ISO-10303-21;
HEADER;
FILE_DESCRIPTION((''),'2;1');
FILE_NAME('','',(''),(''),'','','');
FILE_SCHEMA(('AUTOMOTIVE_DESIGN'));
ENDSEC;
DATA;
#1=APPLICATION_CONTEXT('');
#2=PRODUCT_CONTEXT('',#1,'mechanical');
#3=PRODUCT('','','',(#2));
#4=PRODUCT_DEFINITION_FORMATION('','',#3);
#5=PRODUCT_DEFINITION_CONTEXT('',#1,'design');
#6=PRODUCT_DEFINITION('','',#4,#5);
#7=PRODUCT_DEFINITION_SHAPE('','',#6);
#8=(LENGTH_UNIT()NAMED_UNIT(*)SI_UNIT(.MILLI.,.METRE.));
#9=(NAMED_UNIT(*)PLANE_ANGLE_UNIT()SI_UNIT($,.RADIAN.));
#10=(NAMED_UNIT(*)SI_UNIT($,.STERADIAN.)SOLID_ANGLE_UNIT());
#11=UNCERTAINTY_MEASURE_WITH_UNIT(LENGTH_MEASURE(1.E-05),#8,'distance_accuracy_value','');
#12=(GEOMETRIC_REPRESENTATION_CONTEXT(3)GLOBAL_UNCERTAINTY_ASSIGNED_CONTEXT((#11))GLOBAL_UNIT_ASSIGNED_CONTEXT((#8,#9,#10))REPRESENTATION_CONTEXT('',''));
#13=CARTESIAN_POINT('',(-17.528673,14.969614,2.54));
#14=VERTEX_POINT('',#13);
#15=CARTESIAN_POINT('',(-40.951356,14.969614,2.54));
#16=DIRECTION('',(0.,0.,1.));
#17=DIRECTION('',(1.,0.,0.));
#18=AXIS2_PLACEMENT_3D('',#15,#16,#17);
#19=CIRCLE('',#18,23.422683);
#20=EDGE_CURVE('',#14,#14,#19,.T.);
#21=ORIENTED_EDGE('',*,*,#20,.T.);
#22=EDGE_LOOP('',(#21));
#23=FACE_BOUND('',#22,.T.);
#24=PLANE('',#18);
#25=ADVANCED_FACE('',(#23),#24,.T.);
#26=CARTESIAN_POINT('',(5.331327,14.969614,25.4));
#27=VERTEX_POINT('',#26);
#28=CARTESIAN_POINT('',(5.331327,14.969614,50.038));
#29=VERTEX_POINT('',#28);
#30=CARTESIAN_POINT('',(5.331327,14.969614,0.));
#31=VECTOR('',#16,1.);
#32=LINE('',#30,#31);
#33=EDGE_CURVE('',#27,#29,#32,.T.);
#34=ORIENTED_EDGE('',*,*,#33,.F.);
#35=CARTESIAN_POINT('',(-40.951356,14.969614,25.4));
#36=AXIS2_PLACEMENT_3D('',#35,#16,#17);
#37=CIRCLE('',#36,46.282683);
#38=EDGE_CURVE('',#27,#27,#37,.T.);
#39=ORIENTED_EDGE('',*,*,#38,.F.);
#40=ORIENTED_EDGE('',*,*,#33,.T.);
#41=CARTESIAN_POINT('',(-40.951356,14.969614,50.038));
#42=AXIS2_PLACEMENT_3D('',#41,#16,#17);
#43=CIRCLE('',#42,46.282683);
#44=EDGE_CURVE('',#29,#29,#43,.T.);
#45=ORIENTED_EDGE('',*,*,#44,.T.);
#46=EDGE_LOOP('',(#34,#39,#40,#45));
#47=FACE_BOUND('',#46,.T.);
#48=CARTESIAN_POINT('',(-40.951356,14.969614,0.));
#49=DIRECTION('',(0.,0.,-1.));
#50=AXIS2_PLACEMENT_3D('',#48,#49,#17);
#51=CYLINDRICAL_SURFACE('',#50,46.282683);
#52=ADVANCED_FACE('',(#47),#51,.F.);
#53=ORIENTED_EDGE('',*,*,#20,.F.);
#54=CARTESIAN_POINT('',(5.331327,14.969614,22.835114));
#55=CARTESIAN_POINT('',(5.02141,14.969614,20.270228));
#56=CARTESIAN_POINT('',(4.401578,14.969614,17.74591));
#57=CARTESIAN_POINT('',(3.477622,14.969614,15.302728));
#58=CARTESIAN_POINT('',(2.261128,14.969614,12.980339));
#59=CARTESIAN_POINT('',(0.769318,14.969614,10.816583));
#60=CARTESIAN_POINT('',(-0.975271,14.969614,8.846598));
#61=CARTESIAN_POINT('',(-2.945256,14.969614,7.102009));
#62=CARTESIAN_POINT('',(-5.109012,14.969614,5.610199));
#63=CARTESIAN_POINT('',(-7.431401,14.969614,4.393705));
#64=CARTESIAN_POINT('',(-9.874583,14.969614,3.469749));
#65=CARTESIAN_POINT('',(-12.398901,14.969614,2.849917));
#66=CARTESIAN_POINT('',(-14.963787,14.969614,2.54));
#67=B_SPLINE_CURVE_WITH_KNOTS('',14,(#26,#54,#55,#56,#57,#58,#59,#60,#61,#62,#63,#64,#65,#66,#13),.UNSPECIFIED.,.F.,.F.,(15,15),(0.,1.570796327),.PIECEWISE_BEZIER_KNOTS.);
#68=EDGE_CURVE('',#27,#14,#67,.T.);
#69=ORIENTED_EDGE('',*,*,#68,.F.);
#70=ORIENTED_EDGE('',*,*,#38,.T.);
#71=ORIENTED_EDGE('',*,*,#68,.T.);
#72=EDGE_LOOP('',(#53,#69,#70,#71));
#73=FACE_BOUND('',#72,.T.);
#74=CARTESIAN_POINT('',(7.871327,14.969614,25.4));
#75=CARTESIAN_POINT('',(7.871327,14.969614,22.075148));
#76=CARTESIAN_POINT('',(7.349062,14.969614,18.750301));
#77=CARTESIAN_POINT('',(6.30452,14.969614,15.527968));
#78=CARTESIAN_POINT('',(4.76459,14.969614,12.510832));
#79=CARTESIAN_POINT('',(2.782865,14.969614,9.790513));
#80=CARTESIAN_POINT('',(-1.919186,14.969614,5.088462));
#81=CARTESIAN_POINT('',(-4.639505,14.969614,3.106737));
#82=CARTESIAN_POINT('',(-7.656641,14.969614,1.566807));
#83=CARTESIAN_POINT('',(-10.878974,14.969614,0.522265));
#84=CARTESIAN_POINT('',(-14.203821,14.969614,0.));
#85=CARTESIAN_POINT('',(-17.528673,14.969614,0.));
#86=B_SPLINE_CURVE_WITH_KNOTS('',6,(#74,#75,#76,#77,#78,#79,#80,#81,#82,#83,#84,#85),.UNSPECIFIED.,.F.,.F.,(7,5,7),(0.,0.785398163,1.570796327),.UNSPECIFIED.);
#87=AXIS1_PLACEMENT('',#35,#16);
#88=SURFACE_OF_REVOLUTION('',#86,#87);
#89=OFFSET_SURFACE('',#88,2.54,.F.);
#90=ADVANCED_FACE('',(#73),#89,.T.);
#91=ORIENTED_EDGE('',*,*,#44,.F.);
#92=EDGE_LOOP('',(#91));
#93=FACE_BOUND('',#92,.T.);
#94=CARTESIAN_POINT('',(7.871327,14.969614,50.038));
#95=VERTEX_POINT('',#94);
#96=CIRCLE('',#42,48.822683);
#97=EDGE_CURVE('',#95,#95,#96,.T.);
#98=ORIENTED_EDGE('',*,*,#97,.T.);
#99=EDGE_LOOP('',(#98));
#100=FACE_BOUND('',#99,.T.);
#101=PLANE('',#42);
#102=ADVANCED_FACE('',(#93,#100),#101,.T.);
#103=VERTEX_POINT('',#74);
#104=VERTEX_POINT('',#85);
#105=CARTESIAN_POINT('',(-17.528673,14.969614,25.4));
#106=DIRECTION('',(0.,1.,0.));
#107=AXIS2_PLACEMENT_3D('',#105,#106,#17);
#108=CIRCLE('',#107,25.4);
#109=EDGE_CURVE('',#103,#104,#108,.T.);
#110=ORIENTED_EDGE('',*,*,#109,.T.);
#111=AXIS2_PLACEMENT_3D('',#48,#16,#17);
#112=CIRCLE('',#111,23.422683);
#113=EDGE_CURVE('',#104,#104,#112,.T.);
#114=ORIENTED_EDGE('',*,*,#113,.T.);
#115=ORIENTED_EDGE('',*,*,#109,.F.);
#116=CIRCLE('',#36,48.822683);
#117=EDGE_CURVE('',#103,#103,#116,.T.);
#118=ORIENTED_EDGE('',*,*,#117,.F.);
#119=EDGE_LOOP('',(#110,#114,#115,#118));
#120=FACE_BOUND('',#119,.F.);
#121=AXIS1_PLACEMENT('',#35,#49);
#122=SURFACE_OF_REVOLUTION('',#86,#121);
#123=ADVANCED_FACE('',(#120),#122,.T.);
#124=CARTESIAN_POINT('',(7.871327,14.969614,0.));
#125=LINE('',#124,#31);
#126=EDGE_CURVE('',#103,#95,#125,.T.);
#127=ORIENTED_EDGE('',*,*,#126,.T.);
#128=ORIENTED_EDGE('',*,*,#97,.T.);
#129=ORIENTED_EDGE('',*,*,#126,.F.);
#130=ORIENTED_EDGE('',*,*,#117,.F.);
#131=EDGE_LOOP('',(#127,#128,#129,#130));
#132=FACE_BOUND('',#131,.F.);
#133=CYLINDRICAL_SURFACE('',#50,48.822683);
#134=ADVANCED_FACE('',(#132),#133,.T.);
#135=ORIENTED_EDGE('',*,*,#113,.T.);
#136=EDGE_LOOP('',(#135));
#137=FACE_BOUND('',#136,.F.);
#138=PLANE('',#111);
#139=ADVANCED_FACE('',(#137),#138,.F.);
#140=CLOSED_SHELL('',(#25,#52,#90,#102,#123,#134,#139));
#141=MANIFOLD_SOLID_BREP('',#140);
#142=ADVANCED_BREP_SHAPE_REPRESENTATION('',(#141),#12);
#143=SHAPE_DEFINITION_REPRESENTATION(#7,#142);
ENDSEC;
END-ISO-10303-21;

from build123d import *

# Parameters (mm, degrees)
F0_R     = 48.822683
F1_DEPTH = 50.038
F2_R     = 25.4
F3_T     = -2.54


with BuildPart() as f1:
    # F0 (on Top) → F1 (new body)
    with BuildSketch(Plane.XY):
        with Locations((-40.951356, 14.969614)):
            Circle(F0_R)
    extrude(amount=F1_DEPTH)

    # F2
    f2_edges = [f1.edges().sort_by_distance(p)[0] for p in [
        (-89.774039, 14.969614, 0),
    ]]
    fillet(f2_edges, radius=F2_R)

    # F3
    f3_openings = [f1.faces().sort_by_distance(p)[0] for p in [
        (-40.951356, 14.969614, 50.038),
    ]]
    offset(amount=F3_T, openings=f3_openings)


solid = f1.part
